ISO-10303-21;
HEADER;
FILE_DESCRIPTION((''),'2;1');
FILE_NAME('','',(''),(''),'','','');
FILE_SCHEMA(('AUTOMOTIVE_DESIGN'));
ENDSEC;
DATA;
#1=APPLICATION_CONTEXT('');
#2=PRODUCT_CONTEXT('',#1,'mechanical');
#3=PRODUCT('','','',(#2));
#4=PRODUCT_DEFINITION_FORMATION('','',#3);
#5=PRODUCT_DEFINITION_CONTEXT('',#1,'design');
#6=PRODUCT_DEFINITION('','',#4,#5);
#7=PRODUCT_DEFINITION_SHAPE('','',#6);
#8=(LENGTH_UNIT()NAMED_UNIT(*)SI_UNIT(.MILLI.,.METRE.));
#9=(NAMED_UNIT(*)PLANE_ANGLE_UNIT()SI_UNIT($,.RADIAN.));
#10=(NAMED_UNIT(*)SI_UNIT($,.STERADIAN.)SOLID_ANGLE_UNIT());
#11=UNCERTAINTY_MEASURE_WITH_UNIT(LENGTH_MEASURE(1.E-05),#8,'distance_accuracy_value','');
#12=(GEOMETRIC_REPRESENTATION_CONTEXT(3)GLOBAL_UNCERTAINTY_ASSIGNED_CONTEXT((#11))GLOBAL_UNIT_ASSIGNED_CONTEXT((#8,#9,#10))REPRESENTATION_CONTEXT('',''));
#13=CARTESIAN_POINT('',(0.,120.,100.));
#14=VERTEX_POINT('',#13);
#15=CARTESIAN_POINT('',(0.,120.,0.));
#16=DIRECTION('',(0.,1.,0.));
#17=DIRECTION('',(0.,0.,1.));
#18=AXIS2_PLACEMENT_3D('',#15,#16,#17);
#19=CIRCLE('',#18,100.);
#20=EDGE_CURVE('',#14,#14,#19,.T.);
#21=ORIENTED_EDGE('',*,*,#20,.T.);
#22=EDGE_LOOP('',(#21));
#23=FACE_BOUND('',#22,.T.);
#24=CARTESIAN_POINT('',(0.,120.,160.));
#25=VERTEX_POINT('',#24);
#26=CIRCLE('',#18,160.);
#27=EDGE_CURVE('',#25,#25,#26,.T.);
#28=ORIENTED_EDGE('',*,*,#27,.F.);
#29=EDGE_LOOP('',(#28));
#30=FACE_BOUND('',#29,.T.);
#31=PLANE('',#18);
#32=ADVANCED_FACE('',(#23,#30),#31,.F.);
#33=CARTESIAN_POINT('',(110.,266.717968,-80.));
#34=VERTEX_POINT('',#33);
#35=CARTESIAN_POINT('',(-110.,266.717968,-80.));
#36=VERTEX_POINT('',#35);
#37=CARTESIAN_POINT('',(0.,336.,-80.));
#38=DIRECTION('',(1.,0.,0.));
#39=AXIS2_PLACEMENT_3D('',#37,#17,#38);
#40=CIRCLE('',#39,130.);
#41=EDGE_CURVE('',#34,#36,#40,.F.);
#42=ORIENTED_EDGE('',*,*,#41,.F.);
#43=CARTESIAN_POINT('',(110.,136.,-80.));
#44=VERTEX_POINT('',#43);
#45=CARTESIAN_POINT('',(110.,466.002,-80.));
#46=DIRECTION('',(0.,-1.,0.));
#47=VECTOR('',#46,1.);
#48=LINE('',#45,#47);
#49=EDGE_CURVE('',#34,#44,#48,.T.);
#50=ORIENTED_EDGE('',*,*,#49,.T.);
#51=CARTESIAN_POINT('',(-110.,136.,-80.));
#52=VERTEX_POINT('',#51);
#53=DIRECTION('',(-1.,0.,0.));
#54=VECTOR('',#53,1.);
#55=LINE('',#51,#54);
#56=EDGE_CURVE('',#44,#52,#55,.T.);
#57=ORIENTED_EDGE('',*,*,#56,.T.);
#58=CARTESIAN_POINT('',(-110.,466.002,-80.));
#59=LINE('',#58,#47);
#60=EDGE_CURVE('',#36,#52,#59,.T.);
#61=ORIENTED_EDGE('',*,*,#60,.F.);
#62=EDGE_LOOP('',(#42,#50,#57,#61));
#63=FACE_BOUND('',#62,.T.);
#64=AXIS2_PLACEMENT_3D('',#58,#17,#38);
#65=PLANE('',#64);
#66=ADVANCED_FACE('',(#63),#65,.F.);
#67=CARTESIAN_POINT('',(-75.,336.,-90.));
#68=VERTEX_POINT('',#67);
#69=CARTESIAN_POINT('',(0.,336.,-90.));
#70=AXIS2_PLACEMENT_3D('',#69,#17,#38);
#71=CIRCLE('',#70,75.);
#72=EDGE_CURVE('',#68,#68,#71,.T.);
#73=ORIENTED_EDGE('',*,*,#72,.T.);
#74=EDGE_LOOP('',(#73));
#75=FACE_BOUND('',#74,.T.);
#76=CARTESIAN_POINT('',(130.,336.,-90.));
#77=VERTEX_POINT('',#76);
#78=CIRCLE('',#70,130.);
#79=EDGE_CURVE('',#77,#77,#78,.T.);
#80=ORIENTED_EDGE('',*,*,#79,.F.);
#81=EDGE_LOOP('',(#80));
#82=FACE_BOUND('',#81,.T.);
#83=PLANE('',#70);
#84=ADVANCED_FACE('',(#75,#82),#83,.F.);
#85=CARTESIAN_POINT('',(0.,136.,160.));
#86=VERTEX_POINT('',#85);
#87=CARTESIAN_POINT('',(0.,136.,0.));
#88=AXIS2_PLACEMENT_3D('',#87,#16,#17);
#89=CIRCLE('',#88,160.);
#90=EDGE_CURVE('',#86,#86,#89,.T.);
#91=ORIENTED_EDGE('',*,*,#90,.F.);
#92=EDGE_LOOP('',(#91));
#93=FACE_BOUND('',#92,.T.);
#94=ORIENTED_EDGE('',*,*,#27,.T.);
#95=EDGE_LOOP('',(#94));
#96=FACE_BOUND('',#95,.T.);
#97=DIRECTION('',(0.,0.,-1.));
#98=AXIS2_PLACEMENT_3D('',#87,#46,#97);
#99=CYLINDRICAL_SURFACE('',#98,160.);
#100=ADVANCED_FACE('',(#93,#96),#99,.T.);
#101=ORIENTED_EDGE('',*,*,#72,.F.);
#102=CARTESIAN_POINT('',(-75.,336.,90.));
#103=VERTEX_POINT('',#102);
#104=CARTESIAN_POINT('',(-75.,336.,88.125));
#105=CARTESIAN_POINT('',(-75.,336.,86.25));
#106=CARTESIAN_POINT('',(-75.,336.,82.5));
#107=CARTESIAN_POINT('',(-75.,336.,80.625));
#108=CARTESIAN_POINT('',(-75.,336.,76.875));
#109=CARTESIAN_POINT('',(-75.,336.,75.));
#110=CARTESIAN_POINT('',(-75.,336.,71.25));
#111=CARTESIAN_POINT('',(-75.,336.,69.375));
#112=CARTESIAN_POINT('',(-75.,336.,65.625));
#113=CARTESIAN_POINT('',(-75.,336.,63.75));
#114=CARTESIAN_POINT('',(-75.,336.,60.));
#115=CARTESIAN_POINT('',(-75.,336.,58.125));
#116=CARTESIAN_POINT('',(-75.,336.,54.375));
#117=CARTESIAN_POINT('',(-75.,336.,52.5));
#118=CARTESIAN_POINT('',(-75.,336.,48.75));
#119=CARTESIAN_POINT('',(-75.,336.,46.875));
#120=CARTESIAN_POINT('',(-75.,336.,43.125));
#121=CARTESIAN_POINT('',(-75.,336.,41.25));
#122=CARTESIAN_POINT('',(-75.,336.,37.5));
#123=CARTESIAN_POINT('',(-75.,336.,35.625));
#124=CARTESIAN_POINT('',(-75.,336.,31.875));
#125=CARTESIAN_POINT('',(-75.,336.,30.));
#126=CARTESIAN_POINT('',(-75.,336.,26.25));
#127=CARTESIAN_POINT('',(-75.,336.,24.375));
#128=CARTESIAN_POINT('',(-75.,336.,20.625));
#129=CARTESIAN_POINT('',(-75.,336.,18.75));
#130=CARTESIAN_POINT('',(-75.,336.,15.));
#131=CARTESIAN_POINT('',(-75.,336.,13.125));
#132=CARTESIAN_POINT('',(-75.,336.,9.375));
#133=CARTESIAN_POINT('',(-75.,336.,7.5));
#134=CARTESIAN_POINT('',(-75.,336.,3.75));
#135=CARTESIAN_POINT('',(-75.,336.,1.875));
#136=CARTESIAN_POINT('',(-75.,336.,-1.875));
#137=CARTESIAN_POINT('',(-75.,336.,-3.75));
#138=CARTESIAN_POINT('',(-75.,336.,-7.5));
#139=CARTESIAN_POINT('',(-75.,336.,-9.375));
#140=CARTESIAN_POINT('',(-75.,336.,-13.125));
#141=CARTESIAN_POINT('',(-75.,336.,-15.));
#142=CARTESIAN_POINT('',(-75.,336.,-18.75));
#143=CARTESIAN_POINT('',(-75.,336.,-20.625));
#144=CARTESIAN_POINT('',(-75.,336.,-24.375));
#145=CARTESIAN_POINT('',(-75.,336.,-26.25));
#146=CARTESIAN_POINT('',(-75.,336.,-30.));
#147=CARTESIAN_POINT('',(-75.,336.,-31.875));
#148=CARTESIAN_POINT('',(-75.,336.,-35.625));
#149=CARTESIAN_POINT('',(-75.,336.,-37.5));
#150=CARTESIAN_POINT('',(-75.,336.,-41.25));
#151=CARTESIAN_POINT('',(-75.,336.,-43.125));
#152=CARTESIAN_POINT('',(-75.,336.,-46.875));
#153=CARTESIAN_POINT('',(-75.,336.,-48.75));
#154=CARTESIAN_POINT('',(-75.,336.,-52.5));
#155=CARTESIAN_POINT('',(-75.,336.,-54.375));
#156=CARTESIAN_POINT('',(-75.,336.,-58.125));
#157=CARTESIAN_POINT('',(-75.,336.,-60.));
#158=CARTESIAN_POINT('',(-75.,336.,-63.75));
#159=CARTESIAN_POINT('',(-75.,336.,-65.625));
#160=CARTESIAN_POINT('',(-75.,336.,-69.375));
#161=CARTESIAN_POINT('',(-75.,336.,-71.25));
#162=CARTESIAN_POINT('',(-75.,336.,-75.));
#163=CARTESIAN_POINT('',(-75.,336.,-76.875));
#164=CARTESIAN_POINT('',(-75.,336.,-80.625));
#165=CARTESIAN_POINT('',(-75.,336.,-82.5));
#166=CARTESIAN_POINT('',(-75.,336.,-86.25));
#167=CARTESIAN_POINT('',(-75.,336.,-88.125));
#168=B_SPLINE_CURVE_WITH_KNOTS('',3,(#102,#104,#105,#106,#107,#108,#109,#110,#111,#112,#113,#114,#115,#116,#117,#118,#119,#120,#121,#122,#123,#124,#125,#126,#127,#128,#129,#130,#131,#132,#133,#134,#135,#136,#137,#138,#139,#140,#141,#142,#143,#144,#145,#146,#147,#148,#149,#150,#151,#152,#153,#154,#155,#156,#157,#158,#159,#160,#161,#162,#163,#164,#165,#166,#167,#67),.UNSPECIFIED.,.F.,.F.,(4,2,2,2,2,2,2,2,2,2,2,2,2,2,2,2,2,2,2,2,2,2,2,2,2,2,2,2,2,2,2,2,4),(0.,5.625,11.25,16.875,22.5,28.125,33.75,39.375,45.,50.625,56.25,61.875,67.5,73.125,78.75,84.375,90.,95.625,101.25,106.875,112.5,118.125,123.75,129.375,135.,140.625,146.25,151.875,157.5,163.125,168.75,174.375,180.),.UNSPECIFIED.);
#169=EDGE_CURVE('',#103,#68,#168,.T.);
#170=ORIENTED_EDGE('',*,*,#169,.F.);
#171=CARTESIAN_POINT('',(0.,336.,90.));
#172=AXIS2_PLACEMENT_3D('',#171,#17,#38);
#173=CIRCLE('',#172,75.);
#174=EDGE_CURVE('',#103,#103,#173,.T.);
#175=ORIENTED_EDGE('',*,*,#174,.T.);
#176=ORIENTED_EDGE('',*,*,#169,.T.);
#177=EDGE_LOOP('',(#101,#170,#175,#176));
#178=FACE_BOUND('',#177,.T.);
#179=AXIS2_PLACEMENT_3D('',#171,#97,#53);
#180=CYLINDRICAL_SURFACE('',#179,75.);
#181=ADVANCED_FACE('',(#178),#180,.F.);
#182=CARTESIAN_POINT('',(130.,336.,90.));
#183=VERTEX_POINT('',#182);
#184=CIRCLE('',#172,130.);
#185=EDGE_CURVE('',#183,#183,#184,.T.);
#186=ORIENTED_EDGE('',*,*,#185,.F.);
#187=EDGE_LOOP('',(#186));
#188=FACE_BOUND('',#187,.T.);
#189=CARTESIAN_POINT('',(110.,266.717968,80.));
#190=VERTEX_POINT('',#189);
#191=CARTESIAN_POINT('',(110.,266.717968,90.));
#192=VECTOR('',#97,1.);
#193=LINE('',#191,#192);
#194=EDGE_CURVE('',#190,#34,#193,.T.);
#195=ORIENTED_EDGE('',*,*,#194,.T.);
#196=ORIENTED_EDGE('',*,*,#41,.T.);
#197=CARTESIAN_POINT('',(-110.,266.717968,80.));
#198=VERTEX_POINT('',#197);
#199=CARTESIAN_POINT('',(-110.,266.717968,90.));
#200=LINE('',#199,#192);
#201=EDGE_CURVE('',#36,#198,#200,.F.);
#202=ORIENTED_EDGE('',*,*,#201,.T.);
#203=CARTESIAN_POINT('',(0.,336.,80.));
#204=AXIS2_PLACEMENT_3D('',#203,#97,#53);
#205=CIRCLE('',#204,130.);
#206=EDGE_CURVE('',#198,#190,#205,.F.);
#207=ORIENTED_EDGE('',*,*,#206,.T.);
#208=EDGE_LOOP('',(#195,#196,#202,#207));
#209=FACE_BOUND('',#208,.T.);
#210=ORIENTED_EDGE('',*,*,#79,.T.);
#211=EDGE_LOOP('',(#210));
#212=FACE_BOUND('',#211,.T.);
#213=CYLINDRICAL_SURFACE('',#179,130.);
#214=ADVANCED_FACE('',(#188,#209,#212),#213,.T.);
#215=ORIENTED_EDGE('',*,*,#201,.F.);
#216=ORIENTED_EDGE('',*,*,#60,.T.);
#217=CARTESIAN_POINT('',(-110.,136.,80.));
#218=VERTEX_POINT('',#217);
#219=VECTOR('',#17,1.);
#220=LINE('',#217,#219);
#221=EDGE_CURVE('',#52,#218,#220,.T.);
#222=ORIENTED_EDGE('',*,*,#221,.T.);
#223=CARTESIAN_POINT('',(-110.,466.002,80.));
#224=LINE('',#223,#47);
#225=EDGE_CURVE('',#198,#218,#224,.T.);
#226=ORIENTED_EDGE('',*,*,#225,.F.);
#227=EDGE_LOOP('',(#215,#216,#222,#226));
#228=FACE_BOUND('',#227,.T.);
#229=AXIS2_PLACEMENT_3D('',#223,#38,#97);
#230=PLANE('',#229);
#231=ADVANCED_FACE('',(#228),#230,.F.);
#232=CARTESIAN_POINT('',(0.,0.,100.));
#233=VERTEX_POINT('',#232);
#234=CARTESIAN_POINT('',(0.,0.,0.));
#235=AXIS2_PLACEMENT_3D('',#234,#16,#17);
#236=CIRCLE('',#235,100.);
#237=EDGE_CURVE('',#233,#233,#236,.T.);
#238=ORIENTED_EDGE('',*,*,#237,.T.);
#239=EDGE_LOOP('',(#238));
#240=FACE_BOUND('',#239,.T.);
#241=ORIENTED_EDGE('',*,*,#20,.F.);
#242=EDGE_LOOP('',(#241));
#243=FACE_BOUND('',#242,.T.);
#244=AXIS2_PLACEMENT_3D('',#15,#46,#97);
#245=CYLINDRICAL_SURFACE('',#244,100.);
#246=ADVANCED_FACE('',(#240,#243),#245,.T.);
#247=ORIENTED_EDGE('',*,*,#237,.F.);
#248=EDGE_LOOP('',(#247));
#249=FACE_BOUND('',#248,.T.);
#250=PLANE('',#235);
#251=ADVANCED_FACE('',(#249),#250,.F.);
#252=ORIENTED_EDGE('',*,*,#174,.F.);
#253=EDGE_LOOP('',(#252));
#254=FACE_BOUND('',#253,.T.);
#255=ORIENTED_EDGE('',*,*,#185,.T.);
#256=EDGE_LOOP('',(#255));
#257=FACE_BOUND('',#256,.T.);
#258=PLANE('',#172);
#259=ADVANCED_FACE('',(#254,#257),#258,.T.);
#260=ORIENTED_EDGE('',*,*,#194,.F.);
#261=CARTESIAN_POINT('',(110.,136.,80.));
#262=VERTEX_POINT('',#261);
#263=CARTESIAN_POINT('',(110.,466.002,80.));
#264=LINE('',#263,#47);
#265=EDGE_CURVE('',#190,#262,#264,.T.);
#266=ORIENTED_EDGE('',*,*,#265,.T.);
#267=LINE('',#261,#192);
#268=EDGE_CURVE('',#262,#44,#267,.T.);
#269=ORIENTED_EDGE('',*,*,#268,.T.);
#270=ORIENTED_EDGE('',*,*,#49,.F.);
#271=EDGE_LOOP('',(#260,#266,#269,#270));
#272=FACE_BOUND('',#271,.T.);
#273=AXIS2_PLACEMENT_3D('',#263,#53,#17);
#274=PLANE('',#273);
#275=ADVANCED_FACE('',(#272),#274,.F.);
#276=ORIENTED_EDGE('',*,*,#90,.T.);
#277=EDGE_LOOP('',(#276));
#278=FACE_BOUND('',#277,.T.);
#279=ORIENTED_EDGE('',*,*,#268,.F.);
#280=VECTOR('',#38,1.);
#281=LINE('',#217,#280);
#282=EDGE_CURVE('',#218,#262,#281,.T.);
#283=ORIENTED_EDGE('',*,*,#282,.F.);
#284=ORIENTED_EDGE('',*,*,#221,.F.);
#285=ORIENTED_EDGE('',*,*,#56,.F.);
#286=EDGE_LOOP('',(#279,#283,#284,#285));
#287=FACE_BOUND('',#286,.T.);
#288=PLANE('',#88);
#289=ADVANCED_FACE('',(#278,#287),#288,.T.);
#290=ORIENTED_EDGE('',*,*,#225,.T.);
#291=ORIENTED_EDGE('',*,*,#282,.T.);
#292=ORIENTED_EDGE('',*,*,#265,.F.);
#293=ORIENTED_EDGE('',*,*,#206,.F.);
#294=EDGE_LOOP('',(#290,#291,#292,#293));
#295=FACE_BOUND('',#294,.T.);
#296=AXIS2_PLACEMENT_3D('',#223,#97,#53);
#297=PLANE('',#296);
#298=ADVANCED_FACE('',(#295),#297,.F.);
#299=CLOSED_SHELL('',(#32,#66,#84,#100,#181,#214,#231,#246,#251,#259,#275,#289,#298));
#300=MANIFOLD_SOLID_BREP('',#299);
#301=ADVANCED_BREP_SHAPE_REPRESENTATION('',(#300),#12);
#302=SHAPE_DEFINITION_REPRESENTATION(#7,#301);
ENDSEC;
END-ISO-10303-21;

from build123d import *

# Parameters (mm, degrees)
SKETCH1_R                = 100
BOSS_EXTRUDE1_DEPTH      = 120
SKETCH2_R                = 160
BOSS_EXTRUDE2_DEPTH      = 16
SKETCH3_R                = 130
SKETCH3_R_2              = 75
BOSS_EXTRUDE3_DEPTH      = 90
BOSS_EXTRUDE4_REACH      = 402.125
BOSS_EXTRUDE4_END_RADIUS = 130
SKETCH4_W                = 220
SKETCH4_H                = 160


with BuildPart() as part:
    # Sketch1 → Boss-Extrude1 (new body)
    with BuildSketch(Plane(origin=(0, 0, 0), x_dir=(1, 0, 0), z_dir=(0, 1, 0))):
        with Locations(Location((0, 0, 0), (0, 0, 270))):
            Circle(SKETCH1_R)
    extrude(amount=BOSS_EXTRUDE1_DEPTH)

    # Sketch2 → Boss-Extrude2 (add)
    with BuildSketch(Plane(origin=(0, 120, 0), x_dir=(1, 0, 0), z_dir=(0, 1, 0))):
        with Locations(Location((0, 0, 0), (0, 0, 270))):
            Circle(SKETCH2_R)
    extrude(amount=BOSS_EXTRUDE2_DEPTH)



with BuildPart() as body_2:
    # Sketch3 → Boss-Extrude3 (new, symmetric)
    with BuildSketch(Plane.XY):
        with Locations(Location((0, 336, 0), (0, 0, 180))):
            Circle(SKETCH3_R)
        with Locations(Location((0, 336, 0), (0, 0, 180))):
            Circle(SKETCH3_R_2, mode=Mode.SUBTRACT)
    extrude(amount=BOSS_EXTRUDE3_DEPTH, both=True)


with BuildPart() as part_1:
    add(part.part)

    add(body_2.part)  # Boss-Extrude4 merges body 2
    # Boss-Extrude4: up to this cylinder (the profile starts outside it)
    boss_extrude4_end = Plane(origin=(0, 336, 0), z_dir=(0, 0, -1)) * Cylinder(BOSS_EXTRUDE4_END_RADIUS, 1065.25, mode=Mode.PRIVATE)
    # Sketch4 → Boss-Extrude4 (add, up to the surface)
    with BuildSketch(Plane(origin=(0, 136, 0), x_dir=(1, 0, 0), z_dir=(0, 1, 0)), mode=Mode.PRIVATE) as boss_extrude4_sk1:
        Rectangle(SKETCH4_W, SKETCH4_H)
    boss_extrude4_tool1 = extrude(boss_extrude4_sk1.sketch, amount=BOSS_EXTRUDE4_REACH, mode=Mode.PRIVATE) - boss_extrude4_end
    add(boss_extrude4_tool1.solids().sort_by_distance((0, 136, 0))[0])


solid = part_1.part
